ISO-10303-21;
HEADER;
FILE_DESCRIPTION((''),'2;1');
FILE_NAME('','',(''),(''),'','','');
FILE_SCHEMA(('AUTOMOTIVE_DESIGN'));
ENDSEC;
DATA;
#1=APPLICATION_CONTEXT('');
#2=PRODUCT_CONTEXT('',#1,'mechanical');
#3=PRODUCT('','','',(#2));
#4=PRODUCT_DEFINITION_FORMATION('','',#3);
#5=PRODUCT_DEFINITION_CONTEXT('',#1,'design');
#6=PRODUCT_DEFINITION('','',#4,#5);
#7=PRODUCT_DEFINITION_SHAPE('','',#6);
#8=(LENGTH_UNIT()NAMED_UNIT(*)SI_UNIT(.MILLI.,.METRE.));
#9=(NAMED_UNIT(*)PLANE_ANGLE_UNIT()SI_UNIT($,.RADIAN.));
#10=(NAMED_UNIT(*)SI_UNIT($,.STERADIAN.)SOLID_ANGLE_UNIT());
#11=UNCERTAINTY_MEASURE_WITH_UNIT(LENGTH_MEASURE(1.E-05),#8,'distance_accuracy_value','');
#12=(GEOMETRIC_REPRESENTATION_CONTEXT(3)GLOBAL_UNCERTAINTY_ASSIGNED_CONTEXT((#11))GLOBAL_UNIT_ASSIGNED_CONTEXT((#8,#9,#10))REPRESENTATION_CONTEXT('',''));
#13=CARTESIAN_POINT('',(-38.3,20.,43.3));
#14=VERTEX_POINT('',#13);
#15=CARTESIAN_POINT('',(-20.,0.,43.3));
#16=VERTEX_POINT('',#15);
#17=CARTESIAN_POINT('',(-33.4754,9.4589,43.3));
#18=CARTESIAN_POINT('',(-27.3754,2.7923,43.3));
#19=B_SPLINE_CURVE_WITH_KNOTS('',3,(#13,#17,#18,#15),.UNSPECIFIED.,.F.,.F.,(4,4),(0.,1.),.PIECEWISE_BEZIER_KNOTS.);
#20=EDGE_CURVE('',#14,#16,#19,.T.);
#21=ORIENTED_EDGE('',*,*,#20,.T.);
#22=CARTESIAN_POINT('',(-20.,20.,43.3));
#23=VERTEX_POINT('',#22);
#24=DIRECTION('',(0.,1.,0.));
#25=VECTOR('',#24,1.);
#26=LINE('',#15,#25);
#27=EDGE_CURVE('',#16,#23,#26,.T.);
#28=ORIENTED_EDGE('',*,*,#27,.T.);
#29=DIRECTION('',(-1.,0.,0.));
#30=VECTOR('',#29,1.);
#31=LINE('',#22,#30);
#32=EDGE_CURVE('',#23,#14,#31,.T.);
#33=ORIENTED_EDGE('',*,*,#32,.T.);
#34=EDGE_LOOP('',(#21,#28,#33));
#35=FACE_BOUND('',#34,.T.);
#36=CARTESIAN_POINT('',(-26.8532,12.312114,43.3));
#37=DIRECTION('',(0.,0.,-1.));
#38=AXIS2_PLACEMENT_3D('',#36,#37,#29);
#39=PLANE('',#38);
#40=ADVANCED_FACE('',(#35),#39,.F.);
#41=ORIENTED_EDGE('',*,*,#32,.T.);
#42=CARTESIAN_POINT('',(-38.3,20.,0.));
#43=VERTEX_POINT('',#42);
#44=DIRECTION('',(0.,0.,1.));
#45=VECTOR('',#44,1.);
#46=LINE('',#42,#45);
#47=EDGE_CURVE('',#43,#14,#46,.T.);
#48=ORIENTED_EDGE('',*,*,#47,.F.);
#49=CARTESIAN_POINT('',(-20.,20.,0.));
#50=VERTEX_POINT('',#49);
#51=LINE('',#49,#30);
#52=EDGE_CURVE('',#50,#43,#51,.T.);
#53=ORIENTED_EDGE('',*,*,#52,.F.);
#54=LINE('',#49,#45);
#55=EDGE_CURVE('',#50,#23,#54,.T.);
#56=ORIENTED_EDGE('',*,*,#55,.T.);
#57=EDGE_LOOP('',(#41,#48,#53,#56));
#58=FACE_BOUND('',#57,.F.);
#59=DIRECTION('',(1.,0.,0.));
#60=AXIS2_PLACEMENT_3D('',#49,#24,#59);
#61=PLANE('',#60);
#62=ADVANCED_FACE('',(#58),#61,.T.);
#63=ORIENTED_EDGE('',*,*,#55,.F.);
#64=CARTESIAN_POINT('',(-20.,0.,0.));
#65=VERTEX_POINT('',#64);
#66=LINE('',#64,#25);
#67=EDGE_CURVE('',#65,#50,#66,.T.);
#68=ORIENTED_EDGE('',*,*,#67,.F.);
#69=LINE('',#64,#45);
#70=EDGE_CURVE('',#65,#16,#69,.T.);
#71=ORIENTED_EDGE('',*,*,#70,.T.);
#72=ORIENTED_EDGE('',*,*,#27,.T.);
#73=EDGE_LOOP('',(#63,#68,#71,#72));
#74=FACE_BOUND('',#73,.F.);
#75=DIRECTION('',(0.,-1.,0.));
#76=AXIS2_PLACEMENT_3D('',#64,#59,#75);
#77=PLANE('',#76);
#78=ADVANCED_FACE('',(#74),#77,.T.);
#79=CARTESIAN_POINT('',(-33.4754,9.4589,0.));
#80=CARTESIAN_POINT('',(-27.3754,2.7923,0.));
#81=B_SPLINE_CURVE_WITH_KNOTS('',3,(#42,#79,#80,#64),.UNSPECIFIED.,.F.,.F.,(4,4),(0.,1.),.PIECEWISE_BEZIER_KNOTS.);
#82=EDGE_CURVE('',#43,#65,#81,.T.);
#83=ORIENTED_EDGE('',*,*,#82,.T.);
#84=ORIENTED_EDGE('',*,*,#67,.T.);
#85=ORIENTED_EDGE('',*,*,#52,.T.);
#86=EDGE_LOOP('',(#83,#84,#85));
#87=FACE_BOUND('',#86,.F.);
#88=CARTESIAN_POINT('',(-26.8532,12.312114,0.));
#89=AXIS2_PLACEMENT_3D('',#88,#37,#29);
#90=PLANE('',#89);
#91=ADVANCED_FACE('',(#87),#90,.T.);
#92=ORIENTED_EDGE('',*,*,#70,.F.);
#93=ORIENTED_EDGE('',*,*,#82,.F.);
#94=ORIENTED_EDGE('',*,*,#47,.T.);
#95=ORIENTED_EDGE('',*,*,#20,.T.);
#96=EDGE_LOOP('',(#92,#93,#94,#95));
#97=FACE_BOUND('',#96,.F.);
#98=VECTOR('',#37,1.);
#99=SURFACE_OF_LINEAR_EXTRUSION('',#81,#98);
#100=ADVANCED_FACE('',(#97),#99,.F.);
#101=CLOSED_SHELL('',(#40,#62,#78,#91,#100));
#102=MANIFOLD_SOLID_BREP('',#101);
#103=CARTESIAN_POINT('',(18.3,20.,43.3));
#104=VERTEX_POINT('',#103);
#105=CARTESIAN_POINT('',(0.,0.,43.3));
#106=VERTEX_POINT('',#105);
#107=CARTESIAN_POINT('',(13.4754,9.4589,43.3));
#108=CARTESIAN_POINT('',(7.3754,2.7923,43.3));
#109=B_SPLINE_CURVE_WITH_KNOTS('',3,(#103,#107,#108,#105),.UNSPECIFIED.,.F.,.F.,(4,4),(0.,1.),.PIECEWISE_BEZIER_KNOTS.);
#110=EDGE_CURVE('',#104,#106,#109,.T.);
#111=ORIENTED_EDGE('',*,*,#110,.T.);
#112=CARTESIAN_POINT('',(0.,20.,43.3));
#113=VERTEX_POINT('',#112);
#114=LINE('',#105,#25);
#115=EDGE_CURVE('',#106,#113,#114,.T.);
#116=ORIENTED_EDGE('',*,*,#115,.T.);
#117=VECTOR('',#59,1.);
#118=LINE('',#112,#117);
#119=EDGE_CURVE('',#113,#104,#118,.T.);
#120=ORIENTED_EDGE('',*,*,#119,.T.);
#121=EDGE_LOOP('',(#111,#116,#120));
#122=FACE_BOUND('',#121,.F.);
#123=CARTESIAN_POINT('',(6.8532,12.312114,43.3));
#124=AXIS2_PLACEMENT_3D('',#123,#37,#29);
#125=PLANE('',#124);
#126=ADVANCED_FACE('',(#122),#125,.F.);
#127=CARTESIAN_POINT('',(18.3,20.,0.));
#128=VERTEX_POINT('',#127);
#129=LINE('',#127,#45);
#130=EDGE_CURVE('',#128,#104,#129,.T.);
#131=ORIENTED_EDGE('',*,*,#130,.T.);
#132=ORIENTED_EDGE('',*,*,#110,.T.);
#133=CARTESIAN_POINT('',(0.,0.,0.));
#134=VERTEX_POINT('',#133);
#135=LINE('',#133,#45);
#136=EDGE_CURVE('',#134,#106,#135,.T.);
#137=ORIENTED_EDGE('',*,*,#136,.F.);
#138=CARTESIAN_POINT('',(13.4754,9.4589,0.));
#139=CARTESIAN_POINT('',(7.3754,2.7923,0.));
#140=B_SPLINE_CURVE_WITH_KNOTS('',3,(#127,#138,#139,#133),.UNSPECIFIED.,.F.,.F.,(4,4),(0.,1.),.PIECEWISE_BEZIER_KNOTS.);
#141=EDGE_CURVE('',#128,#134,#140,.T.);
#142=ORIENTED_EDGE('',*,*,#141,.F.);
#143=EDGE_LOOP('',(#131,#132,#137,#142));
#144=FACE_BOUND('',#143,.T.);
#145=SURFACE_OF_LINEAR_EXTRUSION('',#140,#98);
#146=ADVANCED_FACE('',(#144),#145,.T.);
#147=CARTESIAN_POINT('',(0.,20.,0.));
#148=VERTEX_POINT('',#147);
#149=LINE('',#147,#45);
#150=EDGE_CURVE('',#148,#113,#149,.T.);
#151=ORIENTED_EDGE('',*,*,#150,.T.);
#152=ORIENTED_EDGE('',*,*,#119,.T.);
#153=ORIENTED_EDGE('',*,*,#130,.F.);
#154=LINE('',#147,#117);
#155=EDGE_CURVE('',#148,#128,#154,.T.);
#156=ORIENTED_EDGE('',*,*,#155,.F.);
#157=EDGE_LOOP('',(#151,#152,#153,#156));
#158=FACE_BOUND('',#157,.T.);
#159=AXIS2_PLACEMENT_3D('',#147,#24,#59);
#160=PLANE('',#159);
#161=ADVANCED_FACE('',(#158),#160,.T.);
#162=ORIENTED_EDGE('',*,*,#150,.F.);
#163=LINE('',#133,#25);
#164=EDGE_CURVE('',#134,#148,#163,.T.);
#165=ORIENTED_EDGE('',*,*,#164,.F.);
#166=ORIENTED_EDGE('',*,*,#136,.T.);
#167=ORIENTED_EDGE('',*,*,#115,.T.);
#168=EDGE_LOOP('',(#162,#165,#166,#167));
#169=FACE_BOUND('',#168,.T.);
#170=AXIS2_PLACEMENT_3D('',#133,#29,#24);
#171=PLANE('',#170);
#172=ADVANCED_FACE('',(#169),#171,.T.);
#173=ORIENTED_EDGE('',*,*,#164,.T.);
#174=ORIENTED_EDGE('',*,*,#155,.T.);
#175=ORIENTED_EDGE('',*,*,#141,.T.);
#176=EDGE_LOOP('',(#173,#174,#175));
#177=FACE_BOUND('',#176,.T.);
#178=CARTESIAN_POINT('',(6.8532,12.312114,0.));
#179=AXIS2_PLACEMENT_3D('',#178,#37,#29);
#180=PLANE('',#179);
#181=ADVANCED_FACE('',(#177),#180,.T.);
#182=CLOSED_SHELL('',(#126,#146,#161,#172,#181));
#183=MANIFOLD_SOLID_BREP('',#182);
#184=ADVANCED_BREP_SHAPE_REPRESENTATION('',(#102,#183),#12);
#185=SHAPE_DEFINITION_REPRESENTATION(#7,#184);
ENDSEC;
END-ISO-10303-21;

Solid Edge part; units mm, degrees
sketch "Sketch1" plane through (0, 0, 0) normal (0, 0, 1) x (1, 0, 0)
  line L0 (0, 20) -> (18.3, 20)
  spline S0 degree 3 poles (18.3, 20) (13.4754, 9.4589) (7.3754, 2.7923) (0, 0) knots 0 0 0 0 1 1 1 1
  line L1 (0, 0) -> (0, 20)
extrude "Protrusion1" add sketch "Sketch1" along normal blind 43.3
mirror "Mirror1" about plane through (-10, 10, 21.65) normal (-1, 0, 0) of "Protrusion1"
